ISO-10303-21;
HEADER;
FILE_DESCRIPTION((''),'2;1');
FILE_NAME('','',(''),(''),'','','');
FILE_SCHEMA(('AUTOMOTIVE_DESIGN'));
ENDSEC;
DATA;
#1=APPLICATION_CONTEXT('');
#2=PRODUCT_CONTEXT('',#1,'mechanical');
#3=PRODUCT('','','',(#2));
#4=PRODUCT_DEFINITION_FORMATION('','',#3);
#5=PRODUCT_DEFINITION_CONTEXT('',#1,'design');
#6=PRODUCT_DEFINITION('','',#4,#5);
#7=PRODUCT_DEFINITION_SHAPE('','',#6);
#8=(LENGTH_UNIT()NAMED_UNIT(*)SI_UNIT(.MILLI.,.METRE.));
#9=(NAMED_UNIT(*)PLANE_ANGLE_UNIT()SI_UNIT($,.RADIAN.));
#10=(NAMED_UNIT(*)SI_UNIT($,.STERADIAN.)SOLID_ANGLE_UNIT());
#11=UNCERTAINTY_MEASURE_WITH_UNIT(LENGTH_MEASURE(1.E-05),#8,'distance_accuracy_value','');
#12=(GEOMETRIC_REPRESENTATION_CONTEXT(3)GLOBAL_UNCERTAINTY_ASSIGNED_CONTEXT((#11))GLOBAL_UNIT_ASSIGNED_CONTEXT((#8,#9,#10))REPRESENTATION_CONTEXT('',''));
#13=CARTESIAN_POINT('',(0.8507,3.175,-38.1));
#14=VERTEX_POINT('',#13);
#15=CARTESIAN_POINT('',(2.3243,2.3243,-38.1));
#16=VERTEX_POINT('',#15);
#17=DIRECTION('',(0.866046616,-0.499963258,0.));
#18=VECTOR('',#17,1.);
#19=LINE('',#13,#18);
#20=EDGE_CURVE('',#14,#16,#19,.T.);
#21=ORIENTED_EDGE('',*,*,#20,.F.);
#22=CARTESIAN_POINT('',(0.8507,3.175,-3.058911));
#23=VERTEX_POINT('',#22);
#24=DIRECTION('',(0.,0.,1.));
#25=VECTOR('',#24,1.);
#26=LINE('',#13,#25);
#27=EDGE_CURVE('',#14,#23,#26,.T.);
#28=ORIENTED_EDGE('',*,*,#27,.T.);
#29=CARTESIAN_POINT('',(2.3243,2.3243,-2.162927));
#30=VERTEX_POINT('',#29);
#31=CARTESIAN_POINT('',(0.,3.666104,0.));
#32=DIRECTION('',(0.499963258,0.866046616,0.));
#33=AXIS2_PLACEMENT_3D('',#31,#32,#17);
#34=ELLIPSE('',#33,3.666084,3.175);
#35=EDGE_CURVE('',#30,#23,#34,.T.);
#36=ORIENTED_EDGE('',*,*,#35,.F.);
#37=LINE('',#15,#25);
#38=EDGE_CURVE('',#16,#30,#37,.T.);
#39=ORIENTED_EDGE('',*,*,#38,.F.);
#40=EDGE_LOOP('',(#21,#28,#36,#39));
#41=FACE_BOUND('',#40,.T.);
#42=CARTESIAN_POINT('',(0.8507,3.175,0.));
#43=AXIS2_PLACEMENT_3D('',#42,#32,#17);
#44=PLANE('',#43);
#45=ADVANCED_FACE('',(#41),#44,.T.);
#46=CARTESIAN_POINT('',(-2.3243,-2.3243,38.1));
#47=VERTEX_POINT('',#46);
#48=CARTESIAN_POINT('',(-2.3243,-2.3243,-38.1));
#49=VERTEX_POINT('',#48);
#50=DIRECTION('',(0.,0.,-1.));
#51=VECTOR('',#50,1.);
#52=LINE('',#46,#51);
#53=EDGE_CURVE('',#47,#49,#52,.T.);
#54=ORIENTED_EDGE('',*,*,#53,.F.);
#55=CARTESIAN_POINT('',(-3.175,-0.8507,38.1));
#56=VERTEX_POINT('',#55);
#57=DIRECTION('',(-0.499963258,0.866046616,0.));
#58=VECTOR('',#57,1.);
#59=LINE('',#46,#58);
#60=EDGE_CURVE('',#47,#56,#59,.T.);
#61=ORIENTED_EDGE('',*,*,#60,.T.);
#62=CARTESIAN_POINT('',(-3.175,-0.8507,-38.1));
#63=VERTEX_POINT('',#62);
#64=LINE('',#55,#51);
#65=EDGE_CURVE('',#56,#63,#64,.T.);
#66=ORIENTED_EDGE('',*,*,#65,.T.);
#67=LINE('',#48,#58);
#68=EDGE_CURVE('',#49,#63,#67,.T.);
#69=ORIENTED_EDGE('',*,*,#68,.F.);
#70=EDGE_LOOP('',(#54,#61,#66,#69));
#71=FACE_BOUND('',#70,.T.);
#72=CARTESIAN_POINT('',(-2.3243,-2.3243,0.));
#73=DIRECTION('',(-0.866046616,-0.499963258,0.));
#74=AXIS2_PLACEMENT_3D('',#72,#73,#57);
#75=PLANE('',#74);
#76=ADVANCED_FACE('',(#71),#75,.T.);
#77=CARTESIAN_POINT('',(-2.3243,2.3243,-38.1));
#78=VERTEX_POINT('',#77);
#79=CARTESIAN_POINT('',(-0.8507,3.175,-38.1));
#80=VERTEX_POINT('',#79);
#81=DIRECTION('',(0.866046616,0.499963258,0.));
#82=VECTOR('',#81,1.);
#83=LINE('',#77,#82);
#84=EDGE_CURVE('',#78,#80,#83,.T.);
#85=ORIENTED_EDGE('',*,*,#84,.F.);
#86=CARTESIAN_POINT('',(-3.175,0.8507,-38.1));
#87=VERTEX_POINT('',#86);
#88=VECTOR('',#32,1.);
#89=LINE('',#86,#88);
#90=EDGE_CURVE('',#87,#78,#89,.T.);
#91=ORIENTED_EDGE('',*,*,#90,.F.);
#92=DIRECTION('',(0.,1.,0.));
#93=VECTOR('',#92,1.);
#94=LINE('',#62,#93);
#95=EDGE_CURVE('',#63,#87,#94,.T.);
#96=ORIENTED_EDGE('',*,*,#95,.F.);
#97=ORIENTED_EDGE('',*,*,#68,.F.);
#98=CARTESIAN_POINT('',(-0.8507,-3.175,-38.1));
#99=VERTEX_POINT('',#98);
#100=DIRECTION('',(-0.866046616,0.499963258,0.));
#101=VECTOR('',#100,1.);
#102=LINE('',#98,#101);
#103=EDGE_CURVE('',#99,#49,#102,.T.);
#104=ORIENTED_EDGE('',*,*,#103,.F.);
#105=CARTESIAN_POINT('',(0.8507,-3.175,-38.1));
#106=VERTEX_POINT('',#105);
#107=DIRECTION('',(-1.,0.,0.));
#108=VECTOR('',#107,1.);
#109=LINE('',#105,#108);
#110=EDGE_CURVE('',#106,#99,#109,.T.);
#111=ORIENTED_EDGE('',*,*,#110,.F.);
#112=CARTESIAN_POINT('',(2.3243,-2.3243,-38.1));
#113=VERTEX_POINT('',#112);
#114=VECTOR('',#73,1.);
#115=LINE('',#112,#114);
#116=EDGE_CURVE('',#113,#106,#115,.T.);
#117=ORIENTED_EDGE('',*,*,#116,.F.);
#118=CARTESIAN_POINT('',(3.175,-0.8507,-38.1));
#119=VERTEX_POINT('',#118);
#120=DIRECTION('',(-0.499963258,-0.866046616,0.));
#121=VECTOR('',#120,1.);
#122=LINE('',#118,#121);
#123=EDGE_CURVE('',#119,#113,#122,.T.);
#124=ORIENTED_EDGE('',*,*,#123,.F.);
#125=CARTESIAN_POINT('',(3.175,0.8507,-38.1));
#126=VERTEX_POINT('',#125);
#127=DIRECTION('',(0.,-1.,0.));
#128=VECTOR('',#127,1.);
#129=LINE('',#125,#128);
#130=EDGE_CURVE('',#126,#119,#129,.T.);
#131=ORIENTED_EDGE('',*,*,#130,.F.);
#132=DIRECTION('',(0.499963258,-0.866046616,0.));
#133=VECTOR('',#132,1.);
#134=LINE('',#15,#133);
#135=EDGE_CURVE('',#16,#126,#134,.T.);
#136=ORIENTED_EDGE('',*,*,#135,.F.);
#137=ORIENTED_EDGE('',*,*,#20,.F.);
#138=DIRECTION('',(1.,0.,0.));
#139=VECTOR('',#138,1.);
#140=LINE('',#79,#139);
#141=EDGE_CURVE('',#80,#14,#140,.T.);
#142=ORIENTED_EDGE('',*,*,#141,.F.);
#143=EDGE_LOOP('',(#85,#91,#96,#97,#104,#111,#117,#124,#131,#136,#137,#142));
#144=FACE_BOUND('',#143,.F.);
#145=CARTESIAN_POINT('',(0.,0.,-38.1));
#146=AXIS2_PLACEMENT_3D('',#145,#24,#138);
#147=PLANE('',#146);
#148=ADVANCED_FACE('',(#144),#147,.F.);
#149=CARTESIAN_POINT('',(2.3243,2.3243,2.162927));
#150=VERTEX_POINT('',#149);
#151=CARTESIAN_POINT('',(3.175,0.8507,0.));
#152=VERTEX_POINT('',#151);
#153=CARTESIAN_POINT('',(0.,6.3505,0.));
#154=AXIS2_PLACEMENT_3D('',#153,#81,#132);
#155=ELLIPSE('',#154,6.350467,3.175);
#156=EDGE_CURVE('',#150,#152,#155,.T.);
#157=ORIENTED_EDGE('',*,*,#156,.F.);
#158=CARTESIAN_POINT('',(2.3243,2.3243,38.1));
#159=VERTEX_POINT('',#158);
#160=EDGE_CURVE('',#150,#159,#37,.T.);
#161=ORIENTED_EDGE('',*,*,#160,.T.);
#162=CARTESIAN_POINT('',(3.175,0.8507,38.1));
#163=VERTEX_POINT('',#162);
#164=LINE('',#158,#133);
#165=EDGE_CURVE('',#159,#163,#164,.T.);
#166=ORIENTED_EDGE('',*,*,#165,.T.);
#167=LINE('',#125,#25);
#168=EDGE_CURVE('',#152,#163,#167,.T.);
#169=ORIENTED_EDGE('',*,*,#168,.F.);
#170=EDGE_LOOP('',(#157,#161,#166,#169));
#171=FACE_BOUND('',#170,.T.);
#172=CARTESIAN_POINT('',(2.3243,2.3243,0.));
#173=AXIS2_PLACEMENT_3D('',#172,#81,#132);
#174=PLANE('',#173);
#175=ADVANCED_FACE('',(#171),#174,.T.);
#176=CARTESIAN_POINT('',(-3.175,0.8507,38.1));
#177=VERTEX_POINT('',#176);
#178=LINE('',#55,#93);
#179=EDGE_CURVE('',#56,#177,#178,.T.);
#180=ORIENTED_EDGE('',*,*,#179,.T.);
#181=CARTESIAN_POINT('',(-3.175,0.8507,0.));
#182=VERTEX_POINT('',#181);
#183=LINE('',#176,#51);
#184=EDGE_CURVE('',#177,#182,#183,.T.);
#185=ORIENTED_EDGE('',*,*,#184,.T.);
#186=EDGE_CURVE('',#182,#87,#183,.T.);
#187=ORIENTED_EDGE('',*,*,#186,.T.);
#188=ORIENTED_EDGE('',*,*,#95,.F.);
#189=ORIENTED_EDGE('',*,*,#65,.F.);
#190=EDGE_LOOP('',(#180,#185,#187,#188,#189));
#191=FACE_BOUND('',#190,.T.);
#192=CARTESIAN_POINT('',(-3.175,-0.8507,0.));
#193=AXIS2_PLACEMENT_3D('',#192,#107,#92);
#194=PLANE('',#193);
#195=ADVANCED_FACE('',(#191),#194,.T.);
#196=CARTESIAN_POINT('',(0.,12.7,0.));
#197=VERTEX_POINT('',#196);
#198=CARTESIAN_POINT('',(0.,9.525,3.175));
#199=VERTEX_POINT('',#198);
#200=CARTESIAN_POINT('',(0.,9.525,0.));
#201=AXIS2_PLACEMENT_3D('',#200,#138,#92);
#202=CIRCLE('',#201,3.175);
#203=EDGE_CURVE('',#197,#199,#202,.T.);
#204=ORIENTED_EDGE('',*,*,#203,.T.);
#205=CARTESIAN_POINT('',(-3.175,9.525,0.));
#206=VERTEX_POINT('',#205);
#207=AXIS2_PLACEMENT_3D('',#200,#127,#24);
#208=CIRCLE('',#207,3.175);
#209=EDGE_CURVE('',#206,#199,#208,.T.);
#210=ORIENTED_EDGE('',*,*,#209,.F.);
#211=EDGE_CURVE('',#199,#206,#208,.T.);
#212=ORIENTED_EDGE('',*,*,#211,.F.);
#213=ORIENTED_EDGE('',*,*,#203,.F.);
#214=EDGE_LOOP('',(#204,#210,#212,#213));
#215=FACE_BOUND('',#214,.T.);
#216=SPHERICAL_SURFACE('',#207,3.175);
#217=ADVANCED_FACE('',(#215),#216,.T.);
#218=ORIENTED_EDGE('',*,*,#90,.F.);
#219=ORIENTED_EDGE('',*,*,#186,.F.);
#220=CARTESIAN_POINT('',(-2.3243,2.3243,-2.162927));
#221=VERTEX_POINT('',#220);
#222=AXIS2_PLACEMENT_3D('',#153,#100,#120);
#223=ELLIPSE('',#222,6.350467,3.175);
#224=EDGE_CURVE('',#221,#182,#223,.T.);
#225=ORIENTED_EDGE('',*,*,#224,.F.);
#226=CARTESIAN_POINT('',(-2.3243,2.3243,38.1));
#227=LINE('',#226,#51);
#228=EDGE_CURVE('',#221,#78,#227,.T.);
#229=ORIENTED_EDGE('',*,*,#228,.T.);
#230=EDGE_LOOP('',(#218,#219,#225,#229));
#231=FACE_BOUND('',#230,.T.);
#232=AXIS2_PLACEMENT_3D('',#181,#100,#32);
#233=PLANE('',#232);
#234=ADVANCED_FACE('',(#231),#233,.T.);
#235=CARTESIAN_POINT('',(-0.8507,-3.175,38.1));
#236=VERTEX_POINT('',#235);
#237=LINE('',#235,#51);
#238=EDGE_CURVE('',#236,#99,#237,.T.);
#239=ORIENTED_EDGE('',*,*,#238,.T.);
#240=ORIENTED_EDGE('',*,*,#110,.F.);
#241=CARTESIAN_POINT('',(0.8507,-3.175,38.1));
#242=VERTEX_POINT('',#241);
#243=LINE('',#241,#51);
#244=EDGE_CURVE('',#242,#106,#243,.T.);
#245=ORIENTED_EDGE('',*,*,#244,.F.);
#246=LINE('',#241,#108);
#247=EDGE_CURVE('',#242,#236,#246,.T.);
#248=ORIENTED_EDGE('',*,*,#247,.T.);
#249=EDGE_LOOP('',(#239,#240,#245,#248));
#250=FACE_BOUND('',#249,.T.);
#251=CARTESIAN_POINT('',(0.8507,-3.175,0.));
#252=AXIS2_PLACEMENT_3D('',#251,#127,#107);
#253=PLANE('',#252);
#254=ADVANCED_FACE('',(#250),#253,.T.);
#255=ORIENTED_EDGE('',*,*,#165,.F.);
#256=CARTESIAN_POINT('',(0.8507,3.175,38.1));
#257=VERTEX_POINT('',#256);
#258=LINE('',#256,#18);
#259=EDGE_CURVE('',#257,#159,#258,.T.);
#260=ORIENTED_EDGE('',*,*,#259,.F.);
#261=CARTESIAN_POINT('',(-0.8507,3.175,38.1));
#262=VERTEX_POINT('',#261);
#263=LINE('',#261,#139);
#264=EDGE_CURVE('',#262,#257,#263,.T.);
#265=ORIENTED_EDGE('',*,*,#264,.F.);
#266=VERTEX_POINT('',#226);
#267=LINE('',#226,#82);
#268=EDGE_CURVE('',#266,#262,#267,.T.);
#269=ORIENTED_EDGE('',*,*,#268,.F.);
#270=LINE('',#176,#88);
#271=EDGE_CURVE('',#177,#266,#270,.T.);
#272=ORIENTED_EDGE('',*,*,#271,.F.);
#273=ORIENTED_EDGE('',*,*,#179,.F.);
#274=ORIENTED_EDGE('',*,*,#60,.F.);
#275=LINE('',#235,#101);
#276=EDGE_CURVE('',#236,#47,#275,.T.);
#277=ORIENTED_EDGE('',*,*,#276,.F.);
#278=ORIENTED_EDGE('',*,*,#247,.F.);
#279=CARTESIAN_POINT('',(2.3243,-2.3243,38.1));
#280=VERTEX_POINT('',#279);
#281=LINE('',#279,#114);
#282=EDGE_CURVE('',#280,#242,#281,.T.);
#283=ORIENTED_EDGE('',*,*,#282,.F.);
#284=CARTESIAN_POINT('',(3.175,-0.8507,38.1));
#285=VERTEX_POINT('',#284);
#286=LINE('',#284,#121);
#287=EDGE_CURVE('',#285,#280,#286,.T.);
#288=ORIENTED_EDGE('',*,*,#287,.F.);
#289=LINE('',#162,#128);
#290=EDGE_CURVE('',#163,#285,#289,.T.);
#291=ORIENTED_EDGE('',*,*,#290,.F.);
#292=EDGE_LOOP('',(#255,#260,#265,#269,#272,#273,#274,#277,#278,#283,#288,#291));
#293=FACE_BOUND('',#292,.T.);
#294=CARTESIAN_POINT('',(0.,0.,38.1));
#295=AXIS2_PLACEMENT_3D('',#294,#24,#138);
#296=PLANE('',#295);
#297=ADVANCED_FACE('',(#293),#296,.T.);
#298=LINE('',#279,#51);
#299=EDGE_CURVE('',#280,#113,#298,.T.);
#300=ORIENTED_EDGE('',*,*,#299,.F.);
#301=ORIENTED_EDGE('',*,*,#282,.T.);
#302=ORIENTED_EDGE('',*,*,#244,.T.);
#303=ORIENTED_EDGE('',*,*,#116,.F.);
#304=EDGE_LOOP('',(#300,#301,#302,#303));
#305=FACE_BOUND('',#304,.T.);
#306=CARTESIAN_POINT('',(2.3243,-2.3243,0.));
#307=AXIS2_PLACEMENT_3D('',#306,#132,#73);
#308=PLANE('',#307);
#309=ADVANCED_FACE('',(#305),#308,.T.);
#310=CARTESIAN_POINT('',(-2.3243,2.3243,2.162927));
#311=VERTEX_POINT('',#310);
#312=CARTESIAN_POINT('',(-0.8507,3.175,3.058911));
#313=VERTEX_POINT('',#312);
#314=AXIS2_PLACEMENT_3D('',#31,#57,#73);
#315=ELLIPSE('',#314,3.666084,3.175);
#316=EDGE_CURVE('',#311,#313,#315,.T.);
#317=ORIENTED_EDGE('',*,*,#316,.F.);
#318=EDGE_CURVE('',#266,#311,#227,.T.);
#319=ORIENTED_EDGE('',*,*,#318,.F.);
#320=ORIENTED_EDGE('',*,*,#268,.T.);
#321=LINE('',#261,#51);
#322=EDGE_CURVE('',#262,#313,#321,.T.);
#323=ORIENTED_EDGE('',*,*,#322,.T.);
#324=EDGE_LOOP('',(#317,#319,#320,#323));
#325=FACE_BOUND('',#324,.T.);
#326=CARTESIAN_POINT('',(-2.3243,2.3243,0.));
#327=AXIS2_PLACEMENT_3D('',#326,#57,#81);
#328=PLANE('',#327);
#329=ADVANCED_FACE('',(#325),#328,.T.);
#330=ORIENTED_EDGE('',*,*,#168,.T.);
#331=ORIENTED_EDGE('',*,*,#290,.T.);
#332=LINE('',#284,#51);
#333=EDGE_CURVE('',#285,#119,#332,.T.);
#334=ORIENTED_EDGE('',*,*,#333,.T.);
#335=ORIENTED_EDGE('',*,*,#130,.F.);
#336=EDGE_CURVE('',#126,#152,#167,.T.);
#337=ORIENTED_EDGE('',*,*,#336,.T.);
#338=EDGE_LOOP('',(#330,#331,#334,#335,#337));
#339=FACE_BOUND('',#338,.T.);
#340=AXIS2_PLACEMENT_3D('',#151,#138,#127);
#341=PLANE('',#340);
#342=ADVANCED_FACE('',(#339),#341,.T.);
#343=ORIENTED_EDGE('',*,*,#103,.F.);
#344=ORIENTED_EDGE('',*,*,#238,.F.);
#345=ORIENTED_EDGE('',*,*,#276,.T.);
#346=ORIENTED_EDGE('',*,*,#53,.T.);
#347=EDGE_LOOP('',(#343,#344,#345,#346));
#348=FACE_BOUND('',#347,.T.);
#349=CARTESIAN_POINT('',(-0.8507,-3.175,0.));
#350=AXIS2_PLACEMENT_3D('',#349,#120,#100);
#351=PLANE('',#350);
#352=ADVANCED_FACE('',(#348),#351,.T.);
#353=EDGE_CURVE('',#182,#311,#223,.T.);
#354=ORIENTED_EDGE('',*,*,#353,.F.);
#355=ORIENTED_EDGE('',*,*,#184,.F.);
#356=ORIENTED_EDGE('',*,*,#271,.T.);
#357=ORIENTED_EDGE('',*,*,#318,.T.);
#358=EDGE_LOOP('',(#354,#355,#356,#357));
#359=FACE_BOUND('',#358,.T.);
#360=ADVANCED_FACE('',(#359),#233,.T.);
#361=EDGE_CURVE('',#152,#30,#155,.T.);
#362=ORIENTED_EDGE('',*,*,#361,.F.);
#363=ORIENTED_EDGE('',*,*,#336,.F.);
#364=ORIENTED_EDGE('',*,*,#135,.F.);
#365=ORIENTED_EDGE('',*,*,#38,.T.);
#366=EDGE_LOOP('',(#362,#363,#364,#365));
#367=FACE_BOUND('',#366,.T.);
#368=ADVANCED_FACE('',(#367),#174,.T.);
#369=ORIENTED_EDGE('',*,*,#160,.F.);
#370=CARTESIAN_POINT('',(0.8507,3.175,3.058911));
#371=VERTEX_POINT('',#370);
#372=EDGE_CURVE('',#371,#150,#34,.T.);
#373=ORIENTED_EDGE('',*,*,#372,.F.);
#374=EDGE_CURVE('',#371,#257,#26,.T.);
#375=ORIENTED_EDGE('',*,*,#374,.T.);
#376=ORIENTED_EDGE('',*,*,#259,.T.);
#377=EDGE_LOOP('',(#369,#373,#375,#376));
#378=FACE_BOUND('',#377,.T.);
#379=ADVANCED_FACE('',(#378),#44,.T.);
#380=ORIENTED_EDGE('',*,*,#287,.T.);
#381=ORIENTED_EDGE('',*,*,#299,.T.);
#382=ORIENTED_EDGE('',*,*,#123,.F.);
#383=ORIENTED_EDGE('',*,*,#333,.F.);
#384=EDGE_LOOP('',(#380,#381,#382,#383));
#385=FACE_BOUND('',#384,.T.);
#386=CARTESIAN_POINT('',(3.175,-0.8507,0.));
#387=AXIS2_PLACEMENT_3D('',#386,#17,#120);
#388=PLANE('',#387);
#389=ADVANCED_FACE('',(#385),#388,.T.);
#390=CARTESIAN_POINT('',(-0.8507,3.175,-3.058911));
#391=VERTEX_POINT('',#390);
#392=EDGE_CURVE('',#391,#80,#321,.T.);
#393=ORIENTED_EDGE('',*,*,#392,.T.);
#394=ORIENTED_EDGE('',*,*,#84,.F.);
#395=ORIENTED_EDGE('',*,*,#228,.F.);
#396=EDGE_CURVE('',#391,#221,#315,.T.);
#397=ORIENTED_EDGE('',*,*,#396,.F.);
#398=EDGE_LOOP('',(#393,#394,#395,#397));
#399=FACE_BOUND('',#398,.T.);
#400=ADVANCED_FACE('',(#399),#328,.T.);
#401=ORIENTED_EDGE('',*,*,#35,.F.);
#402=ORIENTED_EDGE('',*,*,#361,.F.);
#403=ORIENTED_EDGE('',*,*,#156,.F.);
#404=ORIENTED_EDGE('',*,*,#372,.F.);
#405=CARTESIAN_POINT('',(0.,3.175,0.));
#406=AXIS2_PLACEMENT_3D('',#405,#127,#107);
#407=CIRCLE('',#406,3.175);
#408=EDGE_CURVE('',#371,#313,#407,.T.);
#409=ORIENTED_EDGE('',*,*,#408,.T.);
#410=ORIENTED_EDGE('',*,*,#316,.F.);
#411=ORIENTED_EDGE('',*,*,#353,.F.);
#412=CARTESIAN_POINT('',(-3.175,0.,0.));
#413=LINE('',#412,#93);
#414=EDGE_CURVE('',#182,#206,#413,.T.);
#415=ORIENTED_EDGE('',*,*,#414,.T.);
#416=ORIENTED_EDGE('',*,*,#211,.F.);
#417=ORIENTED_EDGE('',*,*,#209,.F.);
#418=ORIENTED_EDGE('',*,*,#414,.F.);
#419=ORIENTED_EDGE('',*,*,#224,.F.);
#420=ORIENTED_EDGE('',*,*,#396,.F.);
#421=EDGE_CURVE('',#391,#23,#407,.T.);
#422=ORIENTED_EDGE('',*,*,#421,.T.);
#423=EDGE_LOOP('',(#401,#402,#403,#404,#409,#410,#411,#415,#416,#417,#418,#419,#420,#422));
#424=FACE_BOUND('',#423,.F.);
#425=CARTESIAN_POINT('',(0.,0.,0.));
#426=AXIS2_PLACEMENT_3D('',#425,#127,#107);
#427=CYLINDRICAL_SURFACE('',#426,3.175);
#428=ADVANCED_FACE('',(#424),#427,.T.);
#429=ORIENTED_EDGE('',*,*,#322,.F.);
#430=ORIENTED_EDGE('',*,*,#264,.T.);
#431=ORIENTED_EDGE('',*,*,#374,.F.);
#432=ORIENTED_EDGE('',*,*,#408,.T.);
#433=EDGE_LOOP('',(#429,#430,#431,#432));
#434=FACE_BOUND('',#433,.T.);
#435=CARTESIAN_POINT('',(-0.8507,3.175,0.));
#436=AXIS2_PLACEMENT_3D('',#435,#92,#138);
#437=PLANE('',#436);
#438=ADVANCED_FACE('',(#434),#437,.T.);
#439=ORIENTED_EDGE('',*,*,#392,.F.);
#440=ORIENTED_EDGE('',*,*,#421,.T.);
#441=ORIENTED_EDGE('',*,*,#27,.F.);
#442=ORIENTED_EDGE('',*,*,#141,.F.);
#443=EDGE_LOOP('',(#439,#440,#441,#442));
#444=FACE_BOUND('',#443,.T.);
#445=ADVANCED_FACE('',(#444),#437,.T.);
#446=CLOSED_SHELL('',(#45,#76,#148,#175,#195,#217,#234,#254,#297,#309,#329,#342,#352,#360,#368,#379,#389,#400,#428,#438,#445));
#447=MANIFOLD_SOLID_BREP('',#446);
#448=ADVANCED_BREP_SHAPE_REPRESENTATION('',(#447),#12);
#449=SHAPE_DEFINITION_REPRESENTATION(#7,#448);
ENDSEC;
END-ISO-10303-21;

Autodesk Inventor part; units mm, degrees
ref_plane "YZ Plane" through (0, 0, 0) normal (1, 0, 0) x (0, 1, 0)
ref_plane "XZ Plane" through (0, 0, 0) normal (0, 1, 0) x (-1, 0, 0)
ref_plane "XY Plane" through (0, 0, 0) normal (0, 0, 1) x (1, 0, 0)
sketch "Sketch1" plane through (0, 0, 0) normal (0, 0, 1) x (1, 0, 0)
  line L0 (3.175, 0.8507) -> (3.175, -0.8507)
  line L1 (3.175, -0.8507) -> (2.3243, -2.3243)
  line L2 (2.3243, -2.3243) -> (0.8507, -3.175)
  line L3 (0.8507, -3.175) -> (-0.8507, -3.175)
  line L4 (-0.8507, -3.175) -> (-2.3243, -2.3243)
  line L5 (-2.3243, -2.3243) -> (-3.175, -0.8507)
  line L6 (-3.175, -0.8507) -> (-3.175, 0.8507)
  line L7 (-3.175, 0.8507) -> (-2.3243, 2.3243)
  line L8 (-2.3243, 2.3243) -> (-0.8507, 3.175)
  line L9 (-0.8507, 3.175) -> (0.8507, 3.175)
  line L10 (0.8507, 3.175) -> (2.3243, 2.3243)
  line L11 (2.3243, 2.3243) -> (3.175, 0.8507)
  line L12 (0, 0) -> (0, 3.175) construction
  dimension "d9" = 6.35
extrude "Extrusion1" add sketch "Sketch1" along normal mid plane 76.2
sketch "Sketch2" plane through (0, 0, 0) normal (0, 1, 0) x (-1, 0, 0)
  circle A0 centre (0, 0) radius 3.175
  dimension "diamCamSlot" = 6.35
extrude "Extrusion2" add sketch "Sketch2" along normal blind 12.7
sketch "Sketch4" plane through (0, 0, 0) normal (1, 0, 0) x (0, 1, 0)
  line L0 (12.7, -3.175) -> (12.7, 3.175) projected
  arc A0 (12.7, 0) -> (9.525, 3.175) centre (9.525, 0) ccw
  line L1 (9.525, 3.175) -> (12.7, 3.175)
  line L2 (3.175, 3.175) -> (12.7, 3.175) projected
  line L3 (12.7, 0) -> (12.7, 3.175)
  line L4 (12.7, 0) -> (9.525, 0) construction
  point P0 (0, 0)
  dimension "camRadius" = 3.175
revolve "Revolution1" cut sketch "Sketch4" angle 360 about axis through (0, 12.7, 0) along (0, -1, 0)
equation "\"d9\" = camDiam"
equation "\"diamCamSlot\" = camDiam"
equation "\"camRadius\" = 0.5 * camDiam"
equation "\"camDiam\" = 6.35"
properties part number "vexCamPost"
